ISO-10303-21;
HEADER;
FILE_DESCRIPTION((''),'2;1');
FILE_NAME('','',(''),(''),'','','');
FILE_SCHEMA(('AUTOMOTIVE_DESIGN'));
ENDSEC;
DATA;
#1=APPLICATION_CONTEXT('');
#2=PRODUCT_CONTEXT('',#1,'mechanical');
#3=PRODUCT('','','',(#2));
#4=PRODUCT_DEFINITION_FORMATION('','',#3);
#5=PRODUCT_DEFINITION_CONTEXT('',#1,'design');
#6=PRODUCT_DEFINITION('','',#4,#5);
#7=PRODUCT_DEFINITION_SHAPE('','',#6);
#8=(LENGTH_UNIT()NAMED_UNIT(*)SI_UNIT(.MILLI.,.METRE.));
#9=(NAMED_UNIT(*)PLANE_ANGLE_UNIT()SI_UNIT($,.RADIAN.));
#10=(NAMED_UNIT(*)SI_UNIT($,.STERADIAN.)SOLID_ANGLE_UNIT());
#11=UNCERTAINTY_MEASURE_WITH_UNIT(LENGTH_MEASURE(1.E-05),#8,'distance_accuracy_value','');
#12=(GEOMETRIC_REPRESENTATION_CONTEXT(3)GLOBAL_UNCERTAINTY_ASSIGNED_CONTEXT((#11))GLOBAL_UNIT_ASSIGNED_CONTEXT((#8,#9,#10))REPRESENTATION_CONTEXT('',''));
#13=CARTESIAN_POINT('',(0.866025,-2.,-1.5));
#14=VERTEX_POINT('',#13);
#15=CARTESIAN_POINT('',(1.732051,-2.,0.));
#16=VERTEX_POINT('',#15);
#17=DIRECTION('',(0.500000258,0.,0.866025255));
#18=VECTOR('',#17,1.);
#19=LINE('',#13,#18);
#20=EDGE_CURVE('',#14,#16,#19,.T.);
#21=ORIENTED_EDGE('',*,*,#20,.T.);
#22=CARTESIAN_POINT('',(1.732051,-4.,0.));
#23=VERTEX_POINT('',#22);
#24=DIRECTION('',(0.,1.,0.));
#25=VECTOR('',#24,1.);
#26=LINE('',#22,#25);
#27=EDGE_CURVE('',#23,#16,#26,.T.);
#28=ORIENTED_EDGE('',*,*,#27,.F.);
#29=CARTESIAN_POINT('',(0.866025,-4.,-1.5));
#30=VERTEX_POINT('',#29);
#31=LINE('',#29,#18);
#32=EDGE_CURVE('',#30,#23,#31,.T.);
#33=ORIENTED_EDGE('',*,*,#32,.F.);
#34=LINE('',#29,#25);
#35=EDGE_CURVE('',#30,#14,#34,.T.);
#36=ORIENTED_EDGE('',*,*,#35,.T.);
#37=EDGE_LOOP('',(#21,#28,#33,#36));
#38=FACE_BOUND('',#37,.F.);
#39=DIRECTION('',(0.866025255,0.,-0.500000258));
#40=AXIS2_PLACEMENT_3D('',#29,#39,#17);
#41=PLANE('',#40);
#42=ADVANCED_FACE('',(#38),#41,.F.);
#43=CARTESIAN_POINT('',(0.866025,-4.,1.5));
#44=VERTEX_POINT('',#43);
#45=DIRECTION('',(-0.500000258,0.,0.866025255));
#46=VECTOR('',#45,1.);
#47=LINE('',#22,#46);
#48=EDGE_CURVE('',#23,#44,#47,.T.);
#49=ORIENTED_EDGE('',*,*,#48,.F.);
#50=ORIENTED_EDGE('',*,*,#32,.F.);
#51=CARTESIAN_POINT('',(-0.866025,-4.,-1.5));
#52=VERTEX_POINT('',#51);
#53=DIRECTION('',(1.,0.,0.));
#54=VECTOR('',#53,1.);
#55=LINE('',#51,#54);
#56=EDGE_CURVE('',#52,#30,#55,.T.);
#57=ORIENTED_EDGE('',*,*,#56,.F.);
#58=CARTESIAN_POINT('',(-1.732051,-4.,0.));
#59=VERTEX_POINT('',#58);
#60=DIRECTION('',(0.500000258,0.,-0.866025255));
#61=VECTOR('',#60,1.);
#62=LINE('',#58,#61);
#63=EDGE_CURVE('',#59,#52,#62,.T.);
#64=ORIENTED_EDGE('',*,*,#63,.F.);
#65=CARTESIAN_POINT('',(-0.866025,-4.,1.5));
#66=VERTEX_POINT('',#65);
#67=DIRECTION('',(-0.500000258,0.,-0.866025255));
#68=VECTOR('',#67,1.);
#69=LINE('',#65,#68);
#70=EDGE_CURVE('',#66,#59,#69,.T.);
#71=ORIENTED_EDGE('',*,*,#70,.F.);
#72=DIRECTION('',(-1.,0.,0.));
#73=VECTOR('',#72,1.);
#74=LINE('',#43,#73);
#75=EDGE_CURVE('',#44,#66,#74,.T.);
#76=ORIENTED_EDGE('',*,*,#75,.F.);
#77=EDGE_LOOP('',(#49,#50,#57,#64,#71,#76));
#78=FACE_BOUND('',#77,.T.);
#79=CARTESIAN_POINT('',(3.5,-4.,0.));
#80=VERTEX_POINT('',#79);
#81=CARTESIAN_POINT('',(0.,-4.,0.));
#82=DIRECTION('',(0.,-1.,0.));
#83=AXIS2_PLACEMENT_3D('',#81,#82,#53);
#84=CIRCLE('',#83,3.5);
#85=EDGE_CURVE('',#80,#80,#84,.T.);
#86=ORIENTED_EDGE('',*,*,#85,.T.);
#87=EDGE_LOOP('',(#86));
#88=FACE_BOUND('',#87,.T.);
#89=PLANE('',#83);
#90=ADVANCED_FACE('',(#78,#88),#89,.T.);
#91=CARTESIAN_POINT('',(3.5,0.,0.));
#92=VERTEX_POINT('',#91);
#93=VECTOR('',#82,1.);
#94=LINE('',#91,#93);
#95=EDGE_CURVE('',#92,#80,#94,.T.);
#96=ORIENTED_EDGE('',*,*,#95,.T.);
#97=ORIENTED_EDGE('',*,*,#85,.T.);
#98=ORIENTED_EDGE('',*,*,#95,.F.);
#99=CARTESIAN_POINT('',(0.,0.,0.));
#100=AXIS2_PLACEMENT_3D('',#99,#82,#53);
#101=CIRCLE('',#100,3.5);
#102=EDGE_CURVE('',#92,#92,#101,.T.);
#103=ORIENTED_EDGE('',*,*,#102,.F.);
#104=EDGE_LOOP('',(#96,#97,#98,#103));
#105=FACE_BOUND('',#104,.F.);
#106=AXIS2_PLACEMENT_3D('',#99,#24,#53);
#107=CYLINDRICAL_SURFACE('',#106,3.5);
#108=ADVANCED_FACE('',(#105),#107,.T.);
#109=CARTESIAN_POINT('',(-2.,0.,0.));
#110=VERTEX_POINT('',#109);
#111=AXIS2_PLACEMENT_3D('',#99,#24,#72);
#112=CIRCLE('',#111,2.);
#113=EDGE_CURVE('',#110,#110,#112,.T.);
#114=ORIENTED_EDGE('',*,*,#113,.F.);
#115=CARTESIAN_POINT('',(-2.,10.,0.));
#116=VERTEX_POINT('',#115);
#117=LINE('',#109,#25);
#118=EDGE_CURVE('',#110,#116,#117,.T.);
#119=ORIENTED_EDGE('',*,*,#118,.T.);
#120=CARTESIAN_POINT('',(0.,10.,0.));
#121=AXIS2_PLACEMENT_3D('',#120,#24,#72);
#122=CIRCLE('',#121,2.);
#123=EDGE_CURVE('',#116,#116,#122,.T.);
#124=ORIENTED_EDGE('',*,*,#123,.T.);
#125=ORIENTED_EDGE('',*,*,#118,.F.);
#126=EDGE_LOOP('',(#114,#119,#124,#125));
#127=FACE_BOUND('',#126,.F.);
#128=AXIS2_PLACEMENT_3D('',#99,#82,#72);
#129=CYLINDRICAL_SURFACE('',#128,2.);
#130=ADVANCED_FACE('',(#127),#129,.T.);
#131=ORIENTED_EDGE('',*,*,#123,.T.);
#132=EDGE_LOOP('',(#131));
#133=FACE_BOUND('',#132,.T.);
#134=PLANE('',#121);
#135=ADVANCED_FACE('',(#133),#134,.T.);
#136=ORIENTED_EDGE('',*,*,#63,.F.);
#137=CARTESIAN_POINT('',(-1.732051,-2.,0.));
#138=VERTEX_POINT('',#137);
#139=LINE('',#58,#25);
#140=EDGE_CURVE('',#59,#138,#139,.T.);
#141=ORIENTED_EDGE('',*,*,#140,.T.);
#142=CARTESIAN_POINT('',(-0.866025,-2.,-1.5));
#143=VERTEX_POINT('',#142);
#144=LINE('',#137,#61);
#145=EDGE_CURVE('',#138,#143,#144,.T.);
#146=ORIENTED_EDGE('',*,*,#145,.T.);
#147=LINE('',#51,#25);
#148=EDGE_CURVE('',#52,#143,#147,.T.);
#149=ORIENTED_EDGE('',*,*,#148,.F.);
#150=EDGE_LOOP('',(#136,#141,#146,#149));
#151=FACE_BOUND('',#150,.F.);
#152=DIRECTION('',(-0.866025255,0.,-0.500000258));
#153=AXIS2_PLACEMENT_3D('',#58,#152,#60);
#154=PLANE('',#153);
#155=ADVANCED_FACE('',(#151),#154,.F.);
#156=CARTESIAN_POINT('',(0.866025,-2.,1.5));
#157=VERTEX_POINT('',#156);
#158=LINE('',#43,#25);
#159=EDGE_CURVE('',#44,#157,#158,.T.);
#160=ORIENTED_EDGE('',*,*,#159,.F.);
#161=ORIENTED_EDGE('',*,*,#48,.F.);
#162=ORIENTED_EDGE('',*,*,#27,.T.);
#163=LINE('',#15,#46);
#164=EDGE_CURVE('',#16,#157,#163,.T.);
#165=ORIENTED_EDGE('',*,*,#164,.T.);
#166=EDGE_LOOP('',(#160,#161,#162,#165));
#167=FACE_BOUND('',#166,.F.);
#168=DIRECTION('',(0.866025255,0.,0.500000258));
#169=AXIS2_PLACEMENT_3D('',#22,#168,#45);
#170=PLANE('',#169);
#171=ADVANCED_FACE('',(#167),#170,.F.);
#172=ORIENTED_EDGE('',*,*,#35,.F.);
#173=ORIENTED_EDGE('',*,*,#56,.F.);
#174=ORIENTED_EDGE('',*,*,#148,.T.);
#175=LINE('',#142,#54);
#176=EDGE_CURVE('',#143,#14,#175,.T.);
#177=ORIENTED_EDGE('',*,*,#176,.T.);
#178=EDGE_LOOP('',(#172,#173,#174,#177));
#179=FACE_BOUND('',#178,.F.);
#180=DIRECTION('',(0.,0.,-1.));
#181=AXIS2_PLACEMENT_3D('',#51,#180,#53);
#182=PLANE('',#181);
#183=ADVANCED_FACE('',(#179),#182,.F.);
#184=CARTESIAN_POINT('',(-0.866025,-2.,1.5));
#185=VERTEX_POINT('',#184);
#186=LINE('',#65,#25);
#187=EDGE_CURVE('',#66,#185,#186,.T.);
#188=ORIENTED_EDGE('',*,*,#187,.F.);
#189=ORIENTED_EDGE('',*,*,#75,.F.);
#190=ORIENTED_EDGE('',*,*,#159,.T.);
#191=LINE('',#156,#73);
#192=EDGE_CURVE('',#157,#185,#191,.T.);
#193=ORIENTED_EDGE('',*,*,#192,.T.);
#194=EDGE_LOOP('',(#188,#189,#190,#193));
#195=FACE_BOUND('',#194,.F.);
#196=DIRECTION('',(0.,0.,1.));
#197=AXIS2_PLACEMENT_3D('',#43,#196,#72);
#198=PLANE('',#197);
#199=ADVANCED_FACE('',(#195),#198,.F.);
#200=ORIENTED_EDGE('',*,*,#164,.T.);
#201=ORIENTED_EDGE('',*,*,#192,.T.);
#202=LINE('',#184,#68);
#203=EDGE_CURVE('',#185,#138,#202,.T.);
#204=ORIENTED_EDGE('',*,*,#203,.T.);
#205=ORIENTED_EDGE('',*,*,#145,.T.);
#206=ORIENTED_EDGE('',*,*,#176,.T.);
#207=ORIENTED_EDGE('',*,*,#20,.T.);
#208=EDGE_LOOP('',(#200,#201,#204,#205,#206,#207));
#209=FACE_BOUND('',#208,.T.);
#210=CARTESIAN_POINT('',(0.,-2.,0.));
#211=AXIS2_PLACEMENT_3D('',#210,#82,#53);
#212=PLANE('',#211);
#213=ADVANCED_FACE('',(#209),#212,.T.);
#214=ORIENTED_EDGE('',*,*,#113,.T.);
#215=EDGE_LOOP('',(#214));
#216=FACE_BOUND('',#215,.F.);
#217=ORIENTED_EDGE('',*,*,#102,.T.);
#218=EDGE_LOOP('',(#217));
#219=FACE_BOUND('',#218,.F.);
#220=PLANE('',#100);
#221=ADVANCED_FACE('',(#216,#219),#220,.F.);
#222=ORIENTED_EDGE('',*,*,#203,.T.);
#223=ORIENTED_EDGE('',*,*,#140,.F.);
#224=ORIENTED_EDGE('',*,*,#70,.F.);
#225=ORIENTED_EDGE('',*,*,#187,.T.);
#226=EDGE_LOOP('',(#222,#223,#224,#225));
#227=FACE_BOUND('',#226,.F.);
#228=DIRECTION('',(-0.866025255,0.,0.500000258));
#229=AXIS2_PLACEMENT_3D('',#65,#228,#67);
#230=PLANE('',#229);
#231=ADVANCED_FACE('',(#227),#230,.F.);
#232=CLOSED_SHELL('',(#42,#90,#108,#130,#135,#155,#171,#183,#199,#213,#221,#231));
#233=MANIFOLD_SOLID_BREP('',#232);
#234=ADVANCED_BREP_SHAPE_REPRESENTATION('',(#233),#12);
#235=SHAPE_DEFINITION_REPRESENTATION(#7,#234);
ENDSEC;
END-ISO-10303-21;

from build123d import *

# Parameters (mm, degrees)
F0_R     = 3.5
F1_DEPTH = 4
F2_R     = 2
F3_DEPTH = 10
F5_DEPTH = 2


with BuildPart() as f1:
    # F0 (on Front) → F1 (new body)
    with BuildSketch(Plane.XZ):
        Circle(F0_R)
    extrude(amount=F1_DEPTH)

    # F2 (on face) → F3 (join)
    with BuildSketch(Plane(origin=(0, 0, 0), x_dir=(-1, 0, 0), z_dir=(0, 1, 0))):
        Circle(F2_R)
    extrude(amount=F3_DEPTH)

    # F4 (on face) → F5 (cut)
    with BuildSketch(Plane.XZ.offset(4)):
        Polygon((0.866025, 1.5), (-0.866025, 1.5), (-1.732051, 0), (-0.866025, -1.5), (0.866025, -1.5), (1.732051, 0), align=None)
    extrude(amount=-F5_DEPTH, mode=Mode.SUBTRACT)


solid = f1.part
